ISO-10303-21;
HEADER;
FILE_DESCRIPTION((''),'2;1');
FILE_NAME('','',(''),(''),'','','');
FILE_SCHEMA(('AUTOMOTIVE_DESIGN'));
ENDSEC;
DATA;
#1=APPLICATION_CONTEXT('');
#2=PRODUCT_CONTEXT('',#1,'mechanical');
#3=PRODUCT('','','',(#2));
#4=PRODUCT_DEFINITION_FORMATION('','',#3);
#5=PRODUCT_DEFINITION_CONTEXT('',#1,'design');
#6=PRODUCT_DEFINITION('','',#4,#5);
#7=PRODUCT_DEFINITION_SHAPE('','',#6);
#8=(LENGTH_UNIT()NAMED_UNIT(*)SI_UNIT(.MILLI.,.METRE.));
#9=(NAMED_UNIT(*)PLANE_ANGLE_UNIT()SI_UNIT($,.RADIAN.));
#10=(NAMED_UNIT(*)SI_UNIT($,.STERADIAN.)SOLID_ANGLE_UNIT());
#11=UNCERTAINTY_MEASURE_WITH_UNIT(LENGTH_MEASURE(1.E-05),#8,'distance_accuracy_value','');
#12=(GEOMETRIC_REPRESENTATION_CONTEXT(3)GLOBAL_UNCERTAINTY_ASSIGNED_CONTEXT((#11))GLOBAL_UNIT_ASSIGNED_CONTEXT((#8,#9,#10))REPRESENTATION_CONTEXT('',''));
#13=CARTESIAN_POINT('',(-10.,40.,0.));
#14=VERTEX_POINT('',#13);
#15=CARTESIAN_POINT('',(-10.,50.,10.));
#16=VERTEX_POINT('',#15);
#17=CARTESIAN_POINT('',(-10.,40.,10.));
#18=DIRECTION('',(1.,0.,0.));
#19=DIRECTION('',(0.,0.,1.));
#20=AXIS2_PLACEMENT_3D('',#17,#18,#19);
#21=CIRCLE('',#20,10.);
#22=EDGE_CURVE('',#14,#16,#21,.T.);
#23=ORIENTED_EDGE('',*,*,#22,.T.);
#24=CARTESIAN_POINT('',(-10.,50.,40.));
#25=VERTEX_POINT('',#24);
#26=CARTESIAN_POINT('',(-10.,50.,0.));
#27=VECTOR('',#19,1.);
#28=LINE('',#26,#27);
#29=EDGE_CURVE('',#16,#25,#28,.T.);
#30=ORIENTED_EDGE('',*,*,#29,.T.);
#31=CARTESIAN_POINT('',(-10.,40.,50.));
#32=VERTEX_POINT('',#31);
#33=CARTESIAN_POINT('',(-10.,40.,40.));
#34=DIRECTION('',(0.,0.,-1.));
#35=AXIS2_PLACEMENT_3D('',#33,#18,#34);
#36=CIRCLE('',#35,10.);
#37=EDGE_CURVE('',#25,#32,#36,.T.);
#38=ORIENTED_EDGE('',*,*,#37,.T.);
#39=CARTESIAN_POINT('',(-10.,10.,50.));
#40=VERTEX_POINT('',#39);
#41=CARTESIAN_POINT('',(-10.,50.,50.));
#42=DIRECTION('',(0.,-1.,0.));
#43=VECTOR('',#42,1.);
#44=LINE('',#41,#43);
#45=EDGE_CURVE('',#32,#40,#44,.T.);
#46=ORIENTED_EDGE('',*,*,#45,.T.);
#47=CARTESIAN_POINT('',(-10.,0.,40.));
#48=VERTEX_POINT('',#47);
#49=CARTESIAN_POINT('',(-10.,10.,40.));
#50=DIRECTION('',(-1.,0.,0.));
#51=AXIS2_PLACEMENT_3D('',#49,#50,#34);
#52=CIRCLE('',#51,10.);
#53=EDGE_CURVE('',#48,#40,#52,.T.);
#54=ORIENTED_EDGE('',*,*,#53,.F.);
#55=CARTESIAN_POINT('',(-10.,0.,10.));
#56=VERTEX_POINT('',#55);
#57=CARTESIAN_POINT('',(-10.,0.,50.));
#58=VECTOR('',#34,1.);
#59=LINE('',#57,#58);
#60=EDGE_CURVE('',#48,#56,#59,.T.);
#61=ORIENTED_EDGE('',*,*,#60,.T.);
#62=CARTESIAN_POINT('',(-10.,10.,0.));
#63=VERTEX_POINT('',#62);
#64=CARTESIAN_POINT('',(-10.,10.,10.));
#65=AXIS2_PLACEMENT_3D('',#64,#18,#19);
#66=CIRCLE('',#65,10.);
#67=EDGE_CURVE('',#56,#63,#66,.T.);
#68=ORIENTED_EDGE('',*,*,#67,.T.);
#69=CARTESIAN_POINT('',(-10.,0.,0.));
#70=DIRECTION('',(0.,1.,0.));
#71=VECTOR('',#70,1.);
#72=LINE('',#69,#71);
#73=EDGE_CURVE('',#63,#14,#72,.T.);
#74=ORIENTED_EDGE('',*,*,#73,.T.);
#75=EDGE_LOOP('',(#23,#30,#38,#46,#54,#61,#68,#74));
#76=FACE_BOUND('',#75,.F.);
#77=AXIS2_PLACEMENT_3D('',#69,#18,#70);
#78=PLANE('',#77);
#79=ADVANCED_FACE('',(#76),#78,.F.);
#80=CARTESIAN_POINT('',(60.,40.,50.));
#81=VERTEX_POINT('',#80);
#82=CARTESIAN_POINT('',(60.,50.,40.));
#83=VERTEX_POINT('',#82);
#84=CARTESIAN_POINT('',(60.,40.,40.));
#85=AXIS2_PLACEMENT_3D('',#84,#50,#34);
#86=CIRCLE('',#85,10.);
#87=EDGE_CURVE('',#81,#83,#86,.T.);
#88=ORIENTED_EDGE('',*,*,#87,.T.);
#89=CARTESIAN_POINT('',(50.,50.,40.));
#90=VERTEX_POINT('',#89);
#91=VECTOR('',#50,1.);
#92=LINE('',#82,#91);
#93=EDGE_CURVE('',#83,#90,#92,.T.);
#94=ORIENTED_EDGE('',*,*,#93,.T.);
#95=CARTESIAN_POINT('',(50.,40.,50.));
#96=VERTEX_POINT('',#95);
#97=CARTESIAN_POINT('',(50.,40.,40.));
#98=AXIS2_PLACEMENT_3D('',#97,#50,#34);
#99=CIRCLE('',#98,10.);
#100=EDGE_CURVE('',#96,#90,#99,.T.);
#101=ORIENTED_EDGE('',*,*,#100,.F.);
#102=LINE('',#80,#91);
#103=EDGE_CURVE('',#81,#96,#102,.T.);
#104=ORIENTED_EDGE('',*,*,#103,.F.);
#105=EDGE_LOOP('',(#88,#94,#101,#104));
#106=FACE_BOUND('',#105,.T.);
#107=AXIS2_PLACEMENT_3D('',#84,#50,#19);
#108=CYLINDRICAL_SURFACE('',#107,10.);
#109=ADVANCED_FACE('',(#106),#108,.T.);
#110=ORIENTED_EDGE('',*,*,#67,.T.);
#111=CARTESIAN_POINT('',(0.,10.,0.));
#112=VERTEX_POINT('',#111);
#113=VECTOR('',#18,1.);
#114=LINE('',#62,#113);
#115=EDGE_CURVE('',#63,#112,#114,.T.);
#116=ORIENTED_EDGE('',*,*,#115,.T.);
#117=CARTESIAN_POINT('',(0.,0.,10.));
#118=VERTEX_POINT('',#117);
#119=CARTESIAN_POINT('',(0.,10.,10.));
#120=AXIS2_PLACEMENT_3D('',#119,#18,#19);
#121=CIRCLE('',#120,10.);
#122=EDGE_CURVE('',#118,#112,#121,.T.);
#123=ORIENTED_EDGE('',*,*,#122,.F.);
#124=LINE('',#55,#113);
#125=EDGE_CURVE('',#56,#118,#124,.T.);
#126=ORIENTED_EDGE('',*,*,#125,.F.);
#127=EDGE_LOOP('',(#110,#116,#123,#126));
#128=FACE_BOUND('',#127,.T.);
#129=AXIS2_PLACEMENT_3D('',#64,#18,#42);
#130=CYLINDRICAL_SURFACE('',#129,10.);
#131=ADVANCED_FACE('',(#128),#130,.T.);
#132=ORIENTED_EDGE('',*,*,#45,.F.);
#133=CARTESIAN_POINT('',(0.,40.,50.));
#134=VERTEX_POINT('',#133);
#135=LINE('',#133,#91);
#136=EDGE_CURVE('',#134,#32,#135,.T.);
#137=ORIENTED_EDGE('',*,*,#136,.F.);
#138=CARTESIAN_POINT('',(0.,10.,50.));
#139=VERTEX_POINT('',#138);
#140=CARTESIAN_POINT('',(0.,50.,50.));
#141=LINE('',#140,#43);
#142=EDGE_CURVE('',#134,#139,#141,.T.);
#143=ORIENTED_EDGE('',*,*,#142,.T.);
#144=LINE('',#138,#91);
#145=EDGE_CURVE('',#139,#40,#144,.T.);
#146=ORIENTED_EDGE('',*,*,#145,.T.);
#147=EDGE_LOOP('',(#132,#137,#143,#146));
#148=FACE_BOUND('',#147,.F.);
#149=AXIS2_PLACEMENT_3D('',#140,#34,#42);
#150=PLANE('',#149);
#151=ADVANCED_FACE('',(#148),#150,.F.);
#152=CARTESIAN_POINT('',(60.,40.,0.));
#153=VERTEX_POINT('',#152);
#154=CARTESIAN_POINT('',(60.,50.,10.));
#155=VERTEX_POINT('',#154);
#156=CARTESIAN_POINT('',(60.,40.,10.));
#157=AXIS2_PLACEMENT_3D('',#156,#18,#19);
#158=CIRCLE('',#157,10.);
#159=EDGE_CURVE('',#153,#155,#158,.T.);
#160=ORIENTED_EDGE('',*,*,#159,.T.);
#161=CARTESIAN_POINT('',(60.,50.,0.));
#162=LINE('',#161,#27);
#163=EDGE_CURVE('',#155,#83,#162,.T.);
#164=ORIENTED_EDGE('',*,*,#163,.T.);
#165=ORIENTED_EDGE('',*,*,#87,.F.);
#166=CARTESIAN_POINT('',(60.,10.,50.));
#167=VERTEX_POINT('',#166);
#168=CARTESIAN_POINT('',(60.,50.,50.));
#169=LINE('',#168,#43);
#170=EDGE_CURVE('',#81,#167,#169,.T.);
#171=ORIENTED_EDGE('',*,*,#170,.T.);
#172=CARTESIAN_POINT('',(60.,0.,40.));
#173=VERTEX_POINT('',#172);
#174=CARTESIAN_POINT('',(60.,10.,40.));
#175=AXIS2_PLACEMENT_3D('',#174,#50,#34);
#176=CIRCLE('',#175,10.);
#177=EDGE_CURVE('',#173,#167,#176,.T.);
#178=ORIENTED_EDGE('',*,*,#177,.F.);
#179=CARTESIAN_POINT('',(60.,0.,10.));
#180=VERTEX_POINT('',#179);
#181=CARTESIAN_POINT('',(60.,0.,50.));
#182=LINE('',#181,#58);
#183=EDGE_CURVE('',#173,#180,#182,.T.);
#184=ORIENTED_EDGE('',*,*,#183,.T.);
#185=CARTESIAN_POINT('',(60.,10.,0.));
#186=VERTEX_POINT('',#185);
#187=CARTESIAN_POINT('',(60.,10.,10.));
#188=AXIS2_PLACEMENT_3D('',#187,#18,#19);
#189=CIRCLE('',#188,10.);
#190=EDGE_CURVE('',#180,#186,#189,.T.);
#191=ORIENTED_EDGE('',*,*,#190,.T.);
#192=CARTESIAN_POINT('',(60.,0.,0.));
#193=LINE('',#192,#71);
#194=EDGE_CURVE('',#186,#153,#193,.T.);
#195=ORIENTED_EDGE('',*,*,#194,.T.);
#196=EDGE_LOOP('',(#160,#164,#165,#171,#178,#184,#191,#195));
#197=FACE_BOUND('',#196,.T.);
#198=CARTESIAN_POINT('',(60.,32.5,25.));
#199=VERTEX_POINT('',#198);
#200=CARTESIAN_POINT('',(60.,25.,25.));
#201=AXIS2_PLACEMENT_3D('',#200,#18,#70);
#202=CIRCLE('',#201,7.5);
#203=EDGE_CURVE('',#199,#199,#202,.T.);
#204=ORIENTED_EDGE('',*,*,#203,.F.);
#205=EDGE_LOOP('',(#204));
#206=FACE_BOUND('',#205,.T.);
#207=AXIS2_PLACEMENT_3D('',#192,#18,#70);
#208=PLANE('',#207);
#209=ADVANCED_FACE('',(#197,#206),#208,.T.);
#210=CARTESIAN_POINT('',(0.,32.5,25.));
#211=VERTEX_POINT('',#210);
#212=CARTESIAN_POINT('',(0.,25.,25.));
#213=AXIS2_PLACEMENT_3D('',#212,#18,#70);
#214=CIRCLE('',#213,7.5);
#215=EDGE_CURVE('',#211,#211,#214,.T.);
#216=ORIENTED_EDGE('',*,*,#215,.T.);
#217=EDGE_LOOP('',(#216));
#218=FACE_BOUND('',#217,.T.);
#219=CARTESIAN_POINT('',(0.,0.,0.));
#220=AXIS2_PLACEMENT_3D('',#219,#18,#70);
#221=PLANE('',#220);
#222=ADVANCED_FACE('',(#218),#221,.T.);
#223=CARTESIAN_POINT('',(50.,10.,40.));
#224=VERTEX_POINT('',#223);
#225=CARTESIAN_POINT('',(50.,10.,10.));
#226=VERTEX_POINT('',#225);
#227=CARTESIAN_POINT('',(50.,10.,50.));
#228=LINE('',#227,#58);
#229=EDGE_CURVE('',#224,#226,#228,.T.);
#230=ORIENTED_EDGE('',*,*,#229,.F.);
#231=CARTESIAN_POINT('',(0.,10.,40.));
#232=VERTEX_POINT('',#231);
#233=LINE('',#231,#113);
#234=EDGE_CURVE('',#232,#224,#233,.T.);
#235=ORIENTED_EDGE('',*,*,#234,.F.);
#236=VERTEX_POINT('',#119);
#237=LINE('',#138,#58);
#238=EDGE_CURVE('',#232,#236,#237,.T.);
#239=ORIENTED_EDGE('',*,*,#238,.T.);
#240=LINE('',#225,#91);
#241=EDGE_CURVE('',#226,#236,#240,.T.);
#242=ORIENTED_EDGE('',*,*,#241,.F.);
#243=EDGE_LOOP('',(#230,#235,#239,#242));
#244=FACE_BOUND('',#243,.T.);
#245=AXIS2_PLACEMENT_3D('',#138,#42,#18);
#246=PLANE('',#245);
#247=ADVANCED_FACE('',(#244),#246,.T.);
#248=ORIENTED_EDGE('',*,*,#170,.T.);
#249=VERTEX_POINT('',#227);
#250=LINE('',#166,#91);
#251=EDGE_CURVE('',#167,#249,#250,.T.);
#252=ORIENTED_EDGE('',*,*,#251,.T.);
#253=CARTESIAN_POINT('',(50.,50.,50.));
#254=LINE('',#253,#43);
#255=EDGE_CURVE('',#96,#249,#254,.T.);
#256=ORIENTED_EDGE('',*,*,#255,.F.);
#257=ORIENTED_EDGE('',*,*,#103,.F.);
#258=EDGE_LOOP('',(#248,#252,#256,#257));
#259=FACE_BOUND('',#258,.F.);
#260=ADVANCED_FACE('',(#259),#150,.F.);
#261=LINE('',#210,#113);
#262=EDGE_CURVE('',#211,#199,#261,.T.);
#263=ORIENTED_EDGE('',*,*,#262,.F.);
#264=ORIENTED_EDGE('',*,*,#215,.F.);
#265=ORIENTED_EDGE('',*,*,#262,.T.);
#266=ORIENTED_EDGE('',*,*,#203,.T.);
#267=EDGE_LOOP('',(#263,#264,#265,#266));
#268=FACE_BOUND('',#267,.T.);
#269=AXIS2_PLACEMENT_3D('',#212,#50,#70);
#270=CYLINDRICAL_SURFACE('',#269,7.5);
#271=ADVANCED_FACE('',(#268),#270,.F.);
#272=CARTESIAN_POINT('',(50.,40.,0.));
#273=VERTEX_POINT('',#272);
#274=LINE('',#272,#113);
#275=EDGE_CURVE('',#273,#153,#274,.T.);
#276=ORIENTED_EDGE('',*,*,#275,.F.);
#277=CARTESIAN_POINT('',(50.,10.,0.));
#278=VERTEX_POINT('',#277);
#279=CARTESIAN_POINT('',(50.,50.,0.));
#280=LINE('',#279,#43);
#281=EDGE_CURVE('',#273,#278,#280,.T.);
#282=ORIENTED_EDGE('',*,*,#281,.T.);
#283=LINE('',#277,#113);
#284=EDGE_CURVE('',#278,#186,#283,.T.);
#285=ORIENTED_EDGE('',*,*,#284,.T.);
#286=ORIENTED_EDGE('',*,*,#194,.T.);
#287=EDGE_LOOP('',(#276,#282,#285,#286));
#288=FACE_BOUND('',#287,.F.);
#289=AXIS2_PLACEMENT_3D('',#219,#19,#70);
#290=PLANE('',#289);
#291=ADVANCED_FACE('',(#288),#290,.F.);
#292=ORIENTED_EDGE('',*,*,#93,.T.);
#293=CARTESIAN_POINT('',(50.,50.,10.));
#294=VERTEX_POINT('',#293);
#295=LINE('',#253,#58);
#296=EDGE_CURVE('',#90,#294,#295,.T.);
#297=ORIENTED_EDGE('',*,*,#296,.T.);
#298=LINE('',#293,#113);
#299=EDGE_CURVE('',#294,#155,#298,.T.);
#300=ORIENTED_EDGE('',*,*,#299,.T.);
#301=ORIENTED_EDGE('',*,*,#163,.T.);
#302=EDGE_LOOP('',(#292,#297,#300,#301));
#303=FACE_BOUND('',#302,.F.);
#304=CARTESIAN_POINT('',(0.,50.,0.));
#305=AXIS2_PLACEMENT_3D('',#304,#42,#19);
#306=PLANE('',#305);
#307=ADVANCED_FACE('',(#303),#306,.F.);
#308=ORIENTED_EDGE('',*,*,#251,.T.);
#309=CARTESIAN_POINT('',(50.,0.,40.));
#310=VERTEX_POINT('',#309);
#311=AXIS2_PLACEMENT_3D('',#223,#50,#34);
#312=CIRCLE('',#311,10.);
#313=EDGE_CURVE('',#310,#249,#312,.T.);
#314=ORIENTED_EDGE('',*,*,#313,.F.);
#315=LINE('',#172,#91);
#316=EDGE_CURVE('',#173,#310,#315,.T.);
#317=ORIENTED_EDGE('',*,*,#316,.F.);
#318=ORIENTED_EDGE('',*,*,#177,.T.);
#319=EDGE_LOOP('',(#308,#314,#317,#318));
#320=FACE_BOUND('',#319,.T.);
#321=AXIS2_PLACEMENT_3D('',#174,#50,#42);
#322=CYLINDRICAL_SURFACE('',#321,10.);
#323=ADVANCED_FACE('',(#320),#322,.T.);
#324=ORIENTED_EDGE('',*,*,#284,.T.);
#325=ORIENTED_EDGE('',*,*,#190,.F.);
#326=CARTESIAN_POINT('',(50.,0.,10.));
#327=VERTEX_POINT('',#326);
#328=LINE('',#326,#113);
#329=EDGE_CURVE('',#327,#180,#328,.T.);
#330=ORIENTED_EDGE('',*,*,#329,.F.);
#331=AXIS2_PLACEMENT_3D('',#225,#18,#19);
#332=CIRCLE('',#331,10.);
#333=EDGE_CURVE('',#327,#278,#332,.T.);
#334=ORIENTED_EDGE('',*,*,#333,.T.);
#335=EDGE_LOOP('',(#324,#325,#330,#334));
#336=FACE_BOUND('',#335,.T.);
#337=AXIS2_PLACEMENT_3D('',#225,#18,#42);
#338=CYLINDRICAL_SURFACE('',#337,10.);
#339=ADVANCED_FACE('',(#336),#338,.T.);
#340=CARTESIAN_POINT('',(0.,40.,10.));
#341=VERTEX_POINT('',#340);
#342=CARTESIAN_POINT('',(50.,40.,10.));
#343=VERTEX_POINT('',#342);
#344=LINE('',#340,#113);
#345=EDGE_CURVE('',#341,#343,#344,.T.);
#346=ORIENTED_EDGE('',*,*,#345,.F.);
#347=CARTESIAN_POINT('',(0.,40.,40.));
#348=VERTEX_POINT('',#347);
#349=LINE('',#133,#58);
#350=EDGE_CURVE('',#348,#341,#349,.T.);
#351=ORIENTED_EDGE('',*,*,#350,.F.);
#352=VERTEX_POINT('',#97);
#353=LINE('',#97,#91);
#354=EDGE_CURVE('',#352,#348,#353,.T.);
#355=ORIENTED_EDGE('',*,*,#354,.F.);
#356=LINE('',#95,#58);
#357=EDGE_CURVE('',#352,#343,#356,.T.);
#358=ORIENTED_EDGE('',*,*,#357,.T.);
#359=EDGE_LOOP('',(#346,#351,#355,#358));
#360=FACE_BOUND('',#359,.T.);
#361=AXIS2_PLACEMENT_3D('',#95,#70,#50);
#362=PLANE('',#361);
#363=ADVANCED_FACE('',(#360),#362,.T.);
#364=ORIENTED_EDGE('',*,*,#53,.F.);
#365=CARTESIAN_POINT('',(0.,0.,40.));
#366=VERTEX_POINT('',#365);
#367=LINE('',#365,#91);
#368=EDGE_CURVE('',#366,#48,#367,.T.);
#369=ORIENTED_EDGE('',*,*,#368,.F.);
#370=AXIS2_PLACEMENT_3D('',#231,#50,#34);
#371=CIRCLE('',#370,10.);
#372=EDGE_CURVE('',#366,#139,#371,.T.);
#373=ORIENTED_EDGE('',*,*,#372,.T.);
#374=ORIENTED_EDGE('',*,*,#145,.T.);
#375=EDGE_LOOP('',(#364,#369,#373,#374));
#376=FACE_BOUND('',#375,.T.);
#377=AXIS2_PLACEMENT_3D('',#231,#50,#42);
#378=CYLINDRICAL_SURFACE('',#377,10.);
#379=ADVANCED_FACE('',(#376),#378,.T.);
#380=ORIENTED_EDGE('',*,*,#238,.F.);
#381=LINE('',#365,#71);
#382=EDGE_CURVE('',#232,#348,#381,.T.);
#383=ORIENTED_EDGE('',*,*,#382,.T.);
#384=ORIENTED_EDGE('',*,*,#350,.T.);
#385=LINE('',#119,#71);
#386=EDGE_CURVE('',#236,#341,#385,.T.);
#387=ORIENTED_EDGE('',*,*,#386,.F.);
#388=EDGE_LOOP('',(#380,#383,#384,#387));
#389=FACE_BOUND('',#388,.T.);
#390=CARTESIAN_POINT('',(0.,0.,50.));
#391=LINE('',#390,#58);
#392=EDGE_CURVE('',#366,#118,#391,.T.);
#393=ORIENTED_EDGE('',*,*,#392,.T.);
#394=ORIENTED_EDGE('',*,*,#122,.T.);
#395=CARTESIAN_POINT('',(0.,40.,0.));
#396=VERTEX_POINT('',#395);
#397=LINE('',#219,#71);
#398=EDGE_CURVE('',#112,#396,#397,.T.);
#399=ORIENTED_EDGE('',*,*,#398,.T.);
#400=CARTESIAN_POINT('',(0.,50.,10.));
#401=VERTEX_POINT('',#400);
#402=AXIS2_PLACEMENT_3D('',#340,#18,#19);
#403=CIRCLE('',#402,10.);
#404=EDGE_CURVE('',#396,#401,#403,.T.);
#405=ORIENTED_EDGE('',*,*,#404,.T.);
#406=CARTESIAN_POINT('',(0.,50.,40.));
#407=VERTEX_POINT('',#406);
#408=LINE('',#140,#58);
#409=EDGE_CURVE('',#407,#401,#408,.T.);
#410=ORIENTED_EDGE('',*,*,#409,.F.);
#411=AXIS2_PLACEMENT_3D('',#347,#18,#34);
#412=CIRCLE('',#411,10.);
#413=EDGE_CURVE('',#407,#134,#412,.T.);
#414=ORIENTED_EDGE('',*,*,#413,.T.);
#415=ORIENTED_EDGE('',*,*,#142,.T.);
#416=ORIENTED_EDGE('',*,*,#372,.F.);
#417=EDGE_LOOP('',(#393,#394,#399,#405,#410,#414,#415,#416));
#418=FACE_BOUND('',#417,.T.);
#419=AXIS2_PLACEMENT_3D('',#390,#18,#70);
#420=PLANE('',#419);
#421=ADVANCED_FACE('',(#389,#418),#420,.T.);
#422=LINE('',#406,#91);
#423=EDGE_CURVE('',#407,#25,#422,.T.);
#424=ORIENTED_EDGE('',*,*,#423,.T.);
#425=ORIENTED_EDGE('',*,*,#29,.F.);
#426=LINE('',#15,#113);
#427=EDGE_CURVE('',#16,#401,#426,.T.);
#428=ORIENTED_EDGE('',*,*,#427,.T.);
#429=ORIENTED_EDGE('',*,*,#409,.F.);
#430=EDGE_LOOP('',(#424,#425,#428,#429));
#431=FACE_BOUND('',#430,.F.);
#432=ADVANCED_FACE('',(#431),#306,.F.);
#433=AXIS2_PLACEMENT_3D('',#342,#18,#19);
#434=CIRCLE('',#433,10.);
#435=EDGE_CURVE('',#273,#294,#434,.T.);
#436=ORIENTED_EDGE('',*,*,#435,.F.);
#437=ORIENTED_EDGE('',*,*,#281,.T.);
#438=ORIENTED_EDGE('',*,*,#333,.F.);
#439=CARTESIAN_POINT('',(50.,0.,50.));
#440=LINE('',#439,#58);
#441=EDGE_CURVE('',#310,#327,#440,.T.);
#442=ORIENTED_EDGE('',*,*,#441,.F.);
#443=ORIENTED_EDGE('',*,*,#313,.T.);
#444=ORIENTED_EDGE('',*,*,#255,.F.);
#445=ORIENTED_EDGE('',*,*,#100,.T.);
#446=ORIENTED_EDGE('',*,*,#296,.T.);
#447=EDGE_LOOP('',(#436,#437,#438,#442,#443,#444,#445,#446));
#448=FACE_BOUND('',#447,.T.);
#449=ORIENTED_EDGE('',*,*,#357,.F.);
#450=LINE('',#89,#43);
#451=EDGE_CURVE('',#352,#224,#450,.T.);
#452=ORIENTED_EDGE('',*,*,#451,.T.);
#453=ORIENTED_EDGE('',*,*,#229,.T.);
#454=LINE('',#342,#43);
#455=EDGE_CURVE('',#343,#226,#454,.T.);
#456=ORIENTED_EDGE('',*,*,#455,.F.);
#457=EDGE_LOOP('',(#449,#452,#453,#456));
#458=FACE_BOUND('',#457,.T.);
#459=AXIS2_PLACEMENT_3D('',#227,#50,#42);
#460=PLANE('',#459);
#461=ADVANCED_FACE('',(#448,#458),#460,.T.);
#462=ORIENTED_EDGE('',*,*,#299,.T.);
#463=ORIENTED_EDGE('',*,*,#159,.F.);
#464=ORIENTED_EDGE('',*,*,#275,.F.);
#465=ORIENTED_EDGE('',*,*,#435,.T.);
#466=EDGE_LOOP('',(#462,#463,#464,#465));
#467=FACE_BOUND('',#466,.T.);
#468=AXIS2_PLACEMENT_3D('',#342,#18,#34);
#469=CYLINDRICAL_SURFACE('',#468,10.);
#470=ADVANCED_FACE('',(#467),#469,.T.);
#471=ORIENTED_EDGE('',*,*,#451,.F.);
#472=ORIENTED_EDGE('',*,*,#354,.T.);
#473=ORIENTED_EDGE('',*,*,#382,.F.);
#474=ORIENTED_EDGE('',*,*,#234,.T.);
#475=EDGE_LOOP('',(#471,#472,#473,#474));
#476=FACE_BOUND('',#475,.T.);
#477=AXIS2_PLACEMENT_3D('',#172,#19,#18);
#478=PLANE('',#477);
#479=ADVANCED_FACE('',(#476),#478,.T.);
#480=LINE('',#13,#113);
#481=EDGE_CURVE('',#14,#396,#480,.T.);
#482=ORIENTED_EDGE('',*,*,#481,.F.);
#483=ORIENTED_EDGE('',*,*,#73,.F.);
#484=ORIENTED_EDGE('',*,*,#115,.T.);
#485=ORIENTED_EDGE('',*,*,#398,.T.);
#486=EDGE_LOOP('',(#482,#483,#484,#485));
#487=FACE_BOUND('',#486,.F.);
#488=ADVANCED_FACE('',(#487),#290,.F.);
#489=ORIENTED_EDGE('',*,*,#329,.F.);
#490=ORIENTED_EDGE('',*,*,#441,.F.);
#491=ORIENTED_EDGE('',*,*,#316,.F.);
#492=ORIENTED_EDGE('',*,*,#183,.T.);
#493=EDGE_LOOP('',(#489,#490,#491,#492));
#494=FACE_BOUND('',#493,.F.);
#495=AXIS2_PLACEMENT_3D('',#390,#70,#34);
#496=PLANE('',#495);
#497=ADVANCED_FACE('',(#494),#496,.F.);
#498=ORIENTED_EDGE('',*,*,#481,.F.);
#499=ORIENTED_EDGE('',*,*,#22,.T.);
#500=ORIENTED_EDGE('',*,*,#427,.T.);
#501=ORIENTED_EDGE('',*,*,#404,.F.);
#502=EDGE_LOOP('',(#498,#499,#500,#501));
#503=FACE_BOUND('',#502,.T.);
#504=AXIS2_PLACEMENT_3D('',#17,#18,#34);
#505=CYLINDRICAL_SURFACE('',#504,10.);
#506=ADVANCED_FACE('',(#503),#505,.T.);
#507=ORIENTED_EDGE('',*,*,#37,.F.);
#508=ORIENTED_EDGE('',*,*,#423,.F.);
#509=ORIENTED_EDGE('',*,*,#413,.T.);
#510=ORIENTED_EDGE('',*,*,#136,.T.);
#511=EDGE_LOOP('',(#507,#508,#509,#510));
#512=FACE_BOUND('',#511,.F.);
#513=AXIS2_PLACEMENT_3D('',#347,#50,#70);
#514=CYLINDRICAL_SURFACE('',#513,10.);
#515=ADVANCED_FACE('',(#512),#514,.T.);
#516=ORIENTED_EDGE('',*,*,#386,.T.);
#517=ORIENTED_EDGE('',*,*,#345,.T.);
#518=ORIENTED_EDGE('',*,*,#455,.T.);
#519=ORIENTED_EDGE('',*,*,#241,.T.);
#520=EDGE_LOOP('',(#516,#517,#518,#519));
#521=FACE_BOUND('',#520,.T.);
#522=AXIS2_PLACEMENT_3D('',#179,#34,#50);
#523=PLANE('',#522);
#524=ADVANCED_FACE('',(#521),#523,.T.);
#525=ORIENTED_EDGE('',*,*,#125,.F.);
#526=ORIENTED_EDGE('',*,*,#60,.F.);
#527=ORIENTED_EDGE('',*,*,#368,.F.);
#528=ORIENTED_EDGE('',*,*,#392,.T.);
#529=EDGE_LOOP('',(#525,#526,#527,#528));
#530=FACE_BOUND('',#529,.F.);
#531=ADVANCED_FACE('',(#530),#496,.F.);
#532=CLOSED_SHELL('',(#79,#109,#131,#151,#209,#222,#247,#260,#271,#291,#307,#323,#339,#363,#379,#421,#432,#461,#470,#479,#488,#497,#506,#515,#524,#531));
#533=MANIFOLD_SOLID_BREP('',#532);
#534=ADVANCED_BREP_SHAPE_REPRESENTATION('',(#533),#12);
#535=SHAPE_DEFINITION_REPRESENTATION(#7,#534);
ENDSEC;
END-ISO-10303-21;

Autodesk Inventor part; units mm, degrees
ref_plane "YZ Plane" through (0, 0, 0) normal (1, 0, 0) x (0, 1, 0)
ref_plane "XZ Plane" through (0, 0, 0) normal (0, 1, 0) x (-1, 0, 0)
ref_plane "XY Plane" through (0, 0, 0) normal (0, 0, 1) x (1, 0, 0)
sketch "Sketch1" plane through (0, 0, 0) normal (1, 0, 0) x (0, 1, 0)
  line L0 (0, 0) -> (50, 0)
  line L1 (50, 0) -> (50, 50)
  line L2 (50, 50) -> (0, 50)
  line L3 (0, 50) -> (0, 0)
  circle A0 centre (25, 25) radius 7.5
  dimension "d0" = 50
  dimension "d1" = 50
  dimension "d2" = 15
extrude "Extrusion1" add sketch "Sketch1" along normal blind 60
extrude "Extrusion7" add sketch "Sketch1" against normal blind 10 contours L3 L2 L1 L0 | A0
sketch "Sketch6" plane through (60, 0, 50) normal (0, 0, 1) x (1, 0, 0)
  line L0 (0, 50) -> (-70, 50) projected
  line L1 (-70, 0) -> (0, 0) projected
  line L2 (-60, 50) -> (-10, 50)
  line L3 (-10, 50) -> (-10, 0)
  line L4 (-10, 0) -> (-60, 0)
  line L5 (-60, 0) -> (-60, 50)
  line L6 (-60, 50) -> (-10, 50)
  line L7 (-10, 50) -> (-10, 40)
  line L8 (-10, 40) -> (-60, 40)
  line L9 (-60, 40) -> (-60, 50)
  line L10 (-10, 0) -> (-60, 0)
  line L11 (-60, 0) -> (-60, 10)
  line L12 (-60, 10) -> (-10, 10)
  line L13 (-10, 10) -> (-10, 0)
  line L14 (-60, 50) -> (-10, 50)
  line L15 (-10, 50) -> (-10, 0)
  line L16 (-10, 0) -> (-60, 0)
  line L17 (-60, 0) -> (-60, 50)
  point P0 (-10, 10)
  dimension "d33" = 50
  dimension "d34" = 10
  dimension "d35" = 10
extrude "Extrusion8" cut sketch "Sketch6" against normal blind 100 contours L3 L8 L5 L0 | L3 L1 L5 L12
extrude "Extrusion9" cut sketch "Sketch6" against normal blind 10 contours L3 L12 L5 L8
sketch "Sketch7" plane through (60, 0, 0) normal (0, 0, -1) x (-1, 0, 0)
  line L0 (60, 10) -> (60, 40) projected
  line L1 (10, 0) -> (10, 10) projected
  line L2 (60, 40) -> (10, 40)
  line L3 (10, 40) -> (10, 10)
  line L4 (10, 10) -> (60, 10)
  line L5 (60, 10) -> (60, 40)
  point P0 (60, 0)
extrude "Extrusion10" cut sketch "Sketch7" against normal blind 10
fillet "Fillet4" radius 10 8 edges at (55, 50, 50) (-5, 50, 50) (-5, 50, 0) (55, 0, 50) (55, 50, 0) (-5, 0, 50) (55, 0, 0) (-5, 0, 0)
sketch "Sketch8" plane through (60, 0, 0) normal (1, 0, 0) x (0, 0, -1)
  point P0 (0, 0)
properties part number "Contenedor"
